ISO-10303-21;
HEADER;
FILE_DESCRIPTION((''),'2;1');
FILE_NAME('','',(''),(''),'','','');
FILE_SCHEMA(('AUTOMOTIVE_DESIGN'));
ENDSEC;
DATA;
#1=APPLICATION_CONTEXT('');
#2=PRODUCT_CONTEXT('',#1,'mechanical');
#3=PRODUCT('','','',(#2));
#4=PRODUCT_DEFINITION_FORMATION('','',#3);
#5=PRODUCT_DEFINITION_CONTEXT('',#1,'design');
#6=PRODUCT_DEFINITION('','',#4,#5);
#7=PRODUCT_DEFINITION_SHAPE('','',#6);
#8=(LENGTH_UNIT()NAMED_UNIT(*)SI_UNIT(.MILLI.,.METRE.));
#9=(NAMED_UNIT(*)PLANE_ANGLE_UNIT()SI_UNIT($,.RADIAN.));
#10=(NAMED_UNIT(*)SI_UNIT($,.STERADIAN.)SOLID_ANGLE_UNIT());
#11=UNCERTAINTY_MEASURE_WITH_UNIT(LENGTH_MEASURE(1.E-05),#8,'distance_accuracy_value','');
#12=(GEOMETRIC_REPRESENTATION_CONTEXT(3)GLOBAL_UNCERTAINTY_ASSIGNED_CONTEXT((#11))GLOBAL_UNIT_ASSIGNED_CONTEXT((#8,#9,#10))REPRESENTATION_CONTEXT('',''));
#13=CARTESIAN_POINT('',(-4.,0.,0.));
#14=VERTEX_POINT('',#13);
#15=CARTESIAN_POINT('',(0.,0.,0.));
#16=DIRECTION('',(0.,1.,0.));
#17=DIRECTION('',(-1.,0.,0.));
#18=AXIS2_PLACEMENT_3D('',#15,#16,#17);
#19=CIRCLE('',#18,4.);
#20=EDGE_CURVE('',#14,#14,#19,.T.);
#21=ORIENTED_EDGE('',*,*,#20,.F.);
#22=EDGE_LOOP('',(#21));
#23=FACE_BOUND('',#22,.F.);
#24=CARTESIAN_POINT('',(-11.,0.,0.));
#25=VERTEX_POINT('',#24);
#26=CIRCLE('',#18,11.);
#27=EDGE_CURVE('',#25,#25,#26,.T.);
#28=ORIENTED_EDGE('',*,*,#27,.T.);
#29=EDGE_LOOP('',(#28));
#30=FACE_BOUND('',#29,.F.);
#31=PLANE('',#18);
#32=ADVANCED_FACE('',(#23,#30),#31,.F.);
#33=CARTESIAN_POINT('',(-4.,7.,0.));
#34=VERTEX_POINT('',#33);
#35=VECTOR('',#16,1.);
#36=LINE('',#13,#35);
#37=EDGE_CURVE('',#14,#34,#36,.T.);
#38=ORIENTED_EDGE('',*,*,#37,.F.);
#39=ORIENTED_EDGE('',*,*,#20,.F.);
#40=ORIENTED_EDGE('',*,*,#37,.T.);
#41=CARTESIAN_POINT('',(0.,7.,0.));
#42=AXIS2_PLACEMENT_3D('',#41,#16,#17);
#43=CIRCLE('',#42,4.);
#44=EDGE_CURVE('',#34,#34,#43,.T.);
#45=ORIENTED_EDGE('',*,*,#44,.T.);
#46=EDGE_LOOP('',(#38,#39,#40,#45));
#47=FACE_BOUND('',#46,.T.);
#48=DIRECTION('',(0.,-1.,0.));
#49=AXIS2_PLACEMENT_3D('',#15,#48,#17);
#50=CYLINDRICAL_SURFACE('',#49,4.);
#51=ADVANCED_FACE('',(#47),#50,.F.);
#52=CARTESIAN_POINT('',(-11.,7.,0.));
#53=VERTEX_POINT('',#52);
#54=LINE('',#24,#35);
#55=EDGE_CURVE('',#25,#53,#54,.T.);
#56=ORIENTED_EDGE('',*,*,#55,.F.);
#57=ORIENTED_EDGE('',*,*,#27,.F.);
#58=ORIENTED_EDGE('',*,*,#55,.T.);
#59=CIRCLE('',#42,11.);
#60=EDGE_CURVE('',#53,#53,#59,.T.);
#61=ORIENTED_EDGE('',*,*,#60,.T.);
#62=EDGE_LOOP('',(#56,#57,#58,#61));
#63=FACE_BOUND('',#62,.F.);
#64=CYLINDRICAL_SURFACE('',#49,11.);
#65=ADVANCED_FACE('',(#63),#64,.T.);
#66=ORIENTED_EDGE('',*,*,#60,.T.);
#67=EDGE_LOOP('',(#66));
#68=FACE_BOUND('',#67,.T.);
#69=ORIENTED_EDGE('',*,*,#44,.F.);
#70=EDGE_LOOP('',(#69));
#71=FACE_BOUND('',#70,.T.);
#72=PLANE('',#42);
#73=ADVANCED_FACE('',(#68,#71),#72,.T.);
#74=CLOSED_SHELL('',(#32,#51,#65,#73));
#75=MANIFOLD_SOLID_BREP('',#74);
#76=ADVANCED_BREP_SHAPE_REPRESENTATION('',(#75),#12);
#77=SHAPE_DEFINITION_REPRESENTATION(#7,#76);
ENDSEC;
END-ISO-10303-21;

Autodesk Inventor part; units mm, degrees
ref_plane "YZ Plane" through (0, 0, 0) normal (1, 0, 0) x (0, 1, 0)
ref_plane "XZ Plane" through (0, 0, 0) normal (0, 1, 0) x (-1, 0, 0)
ref_plane "XY Plane" through (0, 0, 0) normal (0, 0, 1) x (1, 0, 0)
sketch "Sketch1" plane through (0, 0, 0) normal (0, 1, 0) x (-1, 0, 0)
  circle A0 centre (0, 0) radius 11
  circle A1 centre (0, 0) radius 4
  dimension "d0" = 22
  dimension "d1" = 8
extrude "Extrusion1" add sketch "Sketch1" along normal blind 7
properties part number "Ball_Bearing_Mock_8_22_7mm"
